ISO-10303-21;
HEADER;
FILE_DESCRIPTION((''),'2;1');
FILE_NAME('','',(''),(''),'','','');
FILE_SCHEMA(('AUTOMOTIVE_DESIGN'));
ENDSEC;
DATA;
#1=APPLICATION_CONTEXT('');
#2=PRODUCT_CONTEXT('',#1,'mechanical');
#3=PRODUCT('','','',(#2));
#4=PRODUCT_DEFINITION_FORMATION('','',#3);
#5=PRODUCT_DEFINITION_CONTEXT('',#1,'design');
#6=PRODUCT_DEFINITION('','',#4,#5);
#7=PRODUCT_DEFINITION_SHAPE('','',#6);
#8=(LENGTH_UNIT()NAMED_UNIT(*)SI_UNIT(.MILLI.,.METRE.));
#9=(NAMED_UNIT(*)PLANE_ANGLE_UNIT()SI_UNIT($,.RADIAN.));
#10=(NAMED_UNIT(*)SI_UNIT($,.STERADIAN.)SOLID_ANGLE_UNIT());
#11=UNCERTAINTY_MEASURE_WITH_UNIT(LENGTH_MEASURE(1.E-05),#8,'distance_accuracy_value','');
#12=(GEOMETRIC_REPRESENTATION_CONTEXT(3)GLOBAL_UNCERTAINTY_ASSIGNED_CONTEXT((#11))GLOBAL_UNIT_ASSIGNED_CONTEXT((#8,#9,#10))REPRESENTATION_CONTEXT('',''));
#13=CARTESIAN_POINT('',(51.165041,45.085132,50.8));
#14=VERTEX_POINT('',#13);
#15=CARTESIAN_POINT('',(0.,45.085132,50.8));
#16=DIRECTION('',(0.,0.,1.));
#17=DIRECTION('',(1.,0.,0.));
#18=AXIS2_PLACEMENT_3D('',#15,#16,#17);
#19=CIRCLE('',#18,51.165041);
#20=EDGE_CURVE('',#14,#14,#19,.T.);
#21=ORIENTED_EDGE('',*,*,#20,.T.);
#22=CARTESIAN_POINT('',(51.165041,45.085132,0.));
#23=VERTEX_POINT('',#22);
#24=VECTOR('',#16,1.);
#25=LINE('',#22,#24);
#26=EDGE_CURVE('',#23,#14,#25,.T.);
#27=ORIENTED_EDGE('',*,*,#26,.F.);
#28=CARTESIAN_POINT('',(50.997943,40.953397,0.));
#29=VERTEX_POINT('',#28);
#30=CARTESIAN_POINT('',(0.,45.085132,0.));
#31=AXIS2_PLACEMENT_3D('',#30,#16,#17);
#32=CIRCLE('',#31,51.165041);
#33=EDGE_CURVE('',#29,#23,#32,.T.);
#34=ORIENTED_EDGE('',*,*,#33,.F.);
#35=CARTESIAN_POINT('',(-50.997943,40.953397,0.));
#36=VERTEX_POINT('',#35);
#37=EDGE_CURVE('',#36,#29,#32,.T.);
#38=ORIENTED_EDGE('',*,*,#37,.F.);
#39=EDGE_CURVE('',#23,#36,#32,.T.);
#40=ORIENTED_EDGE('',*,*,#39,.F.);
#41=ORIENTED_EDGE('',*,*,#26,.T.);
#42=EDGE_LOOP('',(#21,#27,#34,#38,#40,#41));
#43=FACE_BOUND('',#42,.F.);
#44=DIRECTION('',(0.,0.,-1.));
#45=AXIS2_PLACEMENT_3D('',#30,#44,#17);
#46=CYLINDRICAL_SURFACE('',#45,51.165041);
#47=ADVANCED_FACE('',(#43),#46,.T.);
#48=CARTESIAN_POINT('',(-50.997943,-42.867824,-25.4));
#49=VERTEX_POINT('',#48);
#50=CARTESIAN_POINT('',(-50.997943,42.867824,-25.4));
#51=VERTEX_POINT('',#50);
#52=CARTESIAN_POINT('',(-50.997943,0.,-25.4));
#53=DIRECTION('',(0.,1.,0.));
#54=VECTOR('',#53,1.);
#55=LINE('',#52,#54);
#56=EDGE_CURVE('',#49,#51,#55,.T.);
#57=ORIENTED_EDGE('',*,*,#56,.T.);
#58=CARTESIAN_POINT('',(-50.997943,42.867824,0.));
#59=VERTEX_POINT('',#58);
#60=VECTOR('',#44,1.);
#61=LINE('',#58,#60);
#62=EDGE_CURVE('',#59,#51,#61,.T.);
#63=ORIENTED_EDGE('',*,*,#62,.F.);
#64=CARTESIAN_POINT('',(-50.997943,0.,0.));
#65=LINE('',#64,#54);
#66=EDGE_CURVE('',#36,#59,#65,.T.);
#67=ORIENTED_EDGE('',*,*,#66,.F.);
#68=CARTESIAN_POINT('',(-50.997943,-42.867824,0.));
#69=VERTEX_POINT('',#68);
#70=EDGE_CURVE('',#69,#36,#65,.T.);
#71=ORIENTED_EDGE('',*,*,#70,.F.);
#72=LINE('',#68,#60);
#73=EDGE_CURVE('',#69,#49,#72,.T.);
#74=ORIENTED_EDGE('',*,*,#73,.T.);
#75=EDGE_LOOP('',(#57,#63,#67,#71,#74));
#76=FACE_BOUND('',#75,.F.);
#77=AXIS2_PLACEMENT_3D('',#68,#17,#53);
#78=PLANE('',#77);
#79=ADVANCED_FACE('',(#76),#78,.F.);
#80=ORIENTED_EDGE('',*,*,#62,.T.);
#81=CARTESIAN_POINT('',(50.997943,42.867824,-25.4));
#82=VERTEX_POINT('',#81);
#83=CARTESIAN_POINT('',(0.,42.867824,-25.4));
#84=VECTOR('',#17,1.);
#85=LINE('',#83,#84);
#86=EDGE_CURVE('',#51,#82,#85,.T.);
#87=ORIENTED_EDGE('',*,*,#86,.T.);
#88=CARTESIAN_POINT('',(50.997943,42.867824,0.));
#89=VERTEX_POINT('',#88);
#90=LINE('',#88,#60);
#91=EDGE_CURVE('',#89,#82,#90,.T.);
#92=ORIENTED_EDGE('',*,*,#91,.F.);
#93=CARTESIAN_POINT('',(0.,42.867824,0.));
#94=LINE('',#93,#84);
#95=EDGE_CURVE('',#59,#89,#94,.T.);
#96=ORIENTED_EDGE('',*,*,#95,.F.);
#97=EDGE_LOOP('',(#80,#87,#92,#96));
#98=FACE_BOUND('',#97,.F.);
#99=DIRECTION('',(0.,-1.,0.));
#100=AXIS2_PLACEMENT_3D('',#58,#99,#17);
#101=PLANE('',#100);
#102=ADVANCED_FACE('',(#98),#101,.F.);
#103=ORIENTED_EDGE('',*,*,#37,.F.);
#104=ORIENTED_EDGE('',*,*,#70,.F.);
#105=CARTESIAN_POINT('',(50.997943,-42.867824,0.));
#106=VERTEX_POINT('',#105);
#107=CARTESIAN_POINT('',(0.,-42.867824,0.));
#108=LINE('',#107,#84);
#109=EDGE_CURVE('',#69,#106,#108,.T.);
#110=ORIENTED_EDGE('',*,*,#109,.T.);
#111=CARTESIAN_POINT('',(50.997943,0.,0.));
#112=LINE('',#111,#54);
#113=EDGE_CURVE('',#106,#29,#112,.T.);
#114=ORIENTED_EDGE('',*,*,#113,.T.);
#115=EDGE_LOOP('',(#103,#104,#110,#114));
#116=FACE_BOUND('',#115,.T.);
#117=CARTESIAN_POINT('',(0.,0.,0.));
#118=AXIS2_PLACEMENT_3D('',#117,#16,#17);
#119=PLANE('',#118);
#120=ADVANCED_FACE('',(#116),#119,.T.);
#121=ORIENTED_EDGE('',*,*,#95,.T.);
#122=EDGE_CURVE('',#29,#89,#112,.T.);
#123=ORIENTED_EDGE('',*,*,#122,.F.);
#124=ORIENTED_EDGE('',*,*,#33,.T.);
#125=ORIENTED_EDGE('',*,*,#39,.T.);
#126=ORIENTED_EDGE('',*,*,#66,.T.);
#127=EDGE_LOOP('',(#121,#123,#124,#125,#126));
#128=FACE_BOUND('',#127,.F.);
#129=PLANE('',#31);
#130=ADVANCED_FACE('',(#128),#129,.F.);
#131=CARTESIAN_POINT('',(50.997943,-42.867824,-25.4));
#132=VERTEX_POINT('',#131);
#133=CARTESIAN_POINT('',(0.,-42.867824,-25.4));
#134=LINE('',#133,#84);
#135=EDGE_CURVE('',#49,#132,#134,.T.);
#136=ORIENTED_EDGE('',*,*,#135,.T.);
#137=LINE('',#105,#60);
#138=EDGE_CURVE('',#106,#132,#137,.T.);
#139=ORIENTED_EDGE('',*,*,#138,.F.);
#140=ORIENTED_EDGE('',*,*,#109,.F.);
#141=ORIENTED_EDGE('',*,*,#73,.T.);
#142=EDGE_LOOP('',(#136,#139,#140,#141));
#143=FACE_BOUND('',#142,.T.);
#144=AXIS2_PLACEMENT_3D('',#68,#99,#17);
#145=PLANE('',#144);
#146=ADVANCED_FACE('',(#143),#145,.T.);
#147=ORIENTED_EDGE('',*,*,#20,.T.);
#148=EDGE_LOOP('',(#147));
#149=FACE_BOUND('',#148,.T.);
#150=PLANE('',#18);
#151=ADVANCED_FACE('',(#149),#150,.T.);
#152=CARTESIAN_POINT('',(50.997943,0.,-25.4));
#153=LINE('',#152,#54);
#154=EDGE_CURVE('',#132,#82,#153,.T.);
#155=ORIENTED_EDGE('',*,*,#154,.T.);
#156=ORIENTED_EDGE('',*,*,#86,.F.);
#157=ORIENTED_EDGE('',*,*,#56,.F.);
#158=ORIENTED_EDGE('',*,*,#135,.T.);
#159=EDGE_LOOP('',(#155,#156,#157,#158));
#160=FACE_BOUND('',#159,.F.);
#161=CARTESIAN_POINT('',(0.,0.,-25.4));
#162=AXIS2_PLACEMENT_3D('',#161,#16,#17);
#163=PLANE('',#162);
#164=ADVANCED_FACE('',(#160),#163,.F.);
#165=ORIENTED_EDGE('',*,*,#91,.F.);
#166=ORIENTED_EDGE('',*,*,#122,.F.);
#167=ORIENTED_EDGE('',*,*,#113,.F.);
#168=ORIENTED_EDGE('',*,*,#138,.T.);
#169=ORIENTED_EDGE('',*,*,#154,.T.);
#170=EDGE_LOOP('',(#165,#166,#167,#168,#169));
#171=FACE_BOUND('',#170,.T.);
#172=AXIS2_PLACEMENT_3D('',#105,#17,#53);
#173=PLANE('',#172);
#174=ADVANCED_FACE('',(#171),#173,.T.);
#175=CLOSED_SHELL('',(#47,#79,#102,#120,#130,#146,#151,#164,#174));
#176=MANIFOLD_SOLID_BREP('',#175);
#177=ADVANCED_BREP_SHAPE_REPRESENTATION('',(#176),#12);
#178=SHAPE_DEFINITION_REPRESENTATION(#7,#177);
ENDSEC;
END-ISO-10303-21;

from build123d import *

# Parameters (mm, degrees)
F1_R     = 51.165041
F2_DEPTH = 50.8
F0_W     = 101.995886
F0_H     = 85.735648
F3_DEPTH = 25.4


with BuildPart() as f2:
    # F1 (on face) → F2 (new body)
    with BuildSketch(Plane.XY):
        with Locations((0, 45.085132)):
            Circle(F1_R)
    extrude(amount=F2_DEPTH)

    # F0 (on Top) → F3 (join)
    with BuildSketch(Plane.XY):
        Rectangle(F0_W, F0_H)
    extrude(amount=-F3_DEPTH)


solid = f2.part
